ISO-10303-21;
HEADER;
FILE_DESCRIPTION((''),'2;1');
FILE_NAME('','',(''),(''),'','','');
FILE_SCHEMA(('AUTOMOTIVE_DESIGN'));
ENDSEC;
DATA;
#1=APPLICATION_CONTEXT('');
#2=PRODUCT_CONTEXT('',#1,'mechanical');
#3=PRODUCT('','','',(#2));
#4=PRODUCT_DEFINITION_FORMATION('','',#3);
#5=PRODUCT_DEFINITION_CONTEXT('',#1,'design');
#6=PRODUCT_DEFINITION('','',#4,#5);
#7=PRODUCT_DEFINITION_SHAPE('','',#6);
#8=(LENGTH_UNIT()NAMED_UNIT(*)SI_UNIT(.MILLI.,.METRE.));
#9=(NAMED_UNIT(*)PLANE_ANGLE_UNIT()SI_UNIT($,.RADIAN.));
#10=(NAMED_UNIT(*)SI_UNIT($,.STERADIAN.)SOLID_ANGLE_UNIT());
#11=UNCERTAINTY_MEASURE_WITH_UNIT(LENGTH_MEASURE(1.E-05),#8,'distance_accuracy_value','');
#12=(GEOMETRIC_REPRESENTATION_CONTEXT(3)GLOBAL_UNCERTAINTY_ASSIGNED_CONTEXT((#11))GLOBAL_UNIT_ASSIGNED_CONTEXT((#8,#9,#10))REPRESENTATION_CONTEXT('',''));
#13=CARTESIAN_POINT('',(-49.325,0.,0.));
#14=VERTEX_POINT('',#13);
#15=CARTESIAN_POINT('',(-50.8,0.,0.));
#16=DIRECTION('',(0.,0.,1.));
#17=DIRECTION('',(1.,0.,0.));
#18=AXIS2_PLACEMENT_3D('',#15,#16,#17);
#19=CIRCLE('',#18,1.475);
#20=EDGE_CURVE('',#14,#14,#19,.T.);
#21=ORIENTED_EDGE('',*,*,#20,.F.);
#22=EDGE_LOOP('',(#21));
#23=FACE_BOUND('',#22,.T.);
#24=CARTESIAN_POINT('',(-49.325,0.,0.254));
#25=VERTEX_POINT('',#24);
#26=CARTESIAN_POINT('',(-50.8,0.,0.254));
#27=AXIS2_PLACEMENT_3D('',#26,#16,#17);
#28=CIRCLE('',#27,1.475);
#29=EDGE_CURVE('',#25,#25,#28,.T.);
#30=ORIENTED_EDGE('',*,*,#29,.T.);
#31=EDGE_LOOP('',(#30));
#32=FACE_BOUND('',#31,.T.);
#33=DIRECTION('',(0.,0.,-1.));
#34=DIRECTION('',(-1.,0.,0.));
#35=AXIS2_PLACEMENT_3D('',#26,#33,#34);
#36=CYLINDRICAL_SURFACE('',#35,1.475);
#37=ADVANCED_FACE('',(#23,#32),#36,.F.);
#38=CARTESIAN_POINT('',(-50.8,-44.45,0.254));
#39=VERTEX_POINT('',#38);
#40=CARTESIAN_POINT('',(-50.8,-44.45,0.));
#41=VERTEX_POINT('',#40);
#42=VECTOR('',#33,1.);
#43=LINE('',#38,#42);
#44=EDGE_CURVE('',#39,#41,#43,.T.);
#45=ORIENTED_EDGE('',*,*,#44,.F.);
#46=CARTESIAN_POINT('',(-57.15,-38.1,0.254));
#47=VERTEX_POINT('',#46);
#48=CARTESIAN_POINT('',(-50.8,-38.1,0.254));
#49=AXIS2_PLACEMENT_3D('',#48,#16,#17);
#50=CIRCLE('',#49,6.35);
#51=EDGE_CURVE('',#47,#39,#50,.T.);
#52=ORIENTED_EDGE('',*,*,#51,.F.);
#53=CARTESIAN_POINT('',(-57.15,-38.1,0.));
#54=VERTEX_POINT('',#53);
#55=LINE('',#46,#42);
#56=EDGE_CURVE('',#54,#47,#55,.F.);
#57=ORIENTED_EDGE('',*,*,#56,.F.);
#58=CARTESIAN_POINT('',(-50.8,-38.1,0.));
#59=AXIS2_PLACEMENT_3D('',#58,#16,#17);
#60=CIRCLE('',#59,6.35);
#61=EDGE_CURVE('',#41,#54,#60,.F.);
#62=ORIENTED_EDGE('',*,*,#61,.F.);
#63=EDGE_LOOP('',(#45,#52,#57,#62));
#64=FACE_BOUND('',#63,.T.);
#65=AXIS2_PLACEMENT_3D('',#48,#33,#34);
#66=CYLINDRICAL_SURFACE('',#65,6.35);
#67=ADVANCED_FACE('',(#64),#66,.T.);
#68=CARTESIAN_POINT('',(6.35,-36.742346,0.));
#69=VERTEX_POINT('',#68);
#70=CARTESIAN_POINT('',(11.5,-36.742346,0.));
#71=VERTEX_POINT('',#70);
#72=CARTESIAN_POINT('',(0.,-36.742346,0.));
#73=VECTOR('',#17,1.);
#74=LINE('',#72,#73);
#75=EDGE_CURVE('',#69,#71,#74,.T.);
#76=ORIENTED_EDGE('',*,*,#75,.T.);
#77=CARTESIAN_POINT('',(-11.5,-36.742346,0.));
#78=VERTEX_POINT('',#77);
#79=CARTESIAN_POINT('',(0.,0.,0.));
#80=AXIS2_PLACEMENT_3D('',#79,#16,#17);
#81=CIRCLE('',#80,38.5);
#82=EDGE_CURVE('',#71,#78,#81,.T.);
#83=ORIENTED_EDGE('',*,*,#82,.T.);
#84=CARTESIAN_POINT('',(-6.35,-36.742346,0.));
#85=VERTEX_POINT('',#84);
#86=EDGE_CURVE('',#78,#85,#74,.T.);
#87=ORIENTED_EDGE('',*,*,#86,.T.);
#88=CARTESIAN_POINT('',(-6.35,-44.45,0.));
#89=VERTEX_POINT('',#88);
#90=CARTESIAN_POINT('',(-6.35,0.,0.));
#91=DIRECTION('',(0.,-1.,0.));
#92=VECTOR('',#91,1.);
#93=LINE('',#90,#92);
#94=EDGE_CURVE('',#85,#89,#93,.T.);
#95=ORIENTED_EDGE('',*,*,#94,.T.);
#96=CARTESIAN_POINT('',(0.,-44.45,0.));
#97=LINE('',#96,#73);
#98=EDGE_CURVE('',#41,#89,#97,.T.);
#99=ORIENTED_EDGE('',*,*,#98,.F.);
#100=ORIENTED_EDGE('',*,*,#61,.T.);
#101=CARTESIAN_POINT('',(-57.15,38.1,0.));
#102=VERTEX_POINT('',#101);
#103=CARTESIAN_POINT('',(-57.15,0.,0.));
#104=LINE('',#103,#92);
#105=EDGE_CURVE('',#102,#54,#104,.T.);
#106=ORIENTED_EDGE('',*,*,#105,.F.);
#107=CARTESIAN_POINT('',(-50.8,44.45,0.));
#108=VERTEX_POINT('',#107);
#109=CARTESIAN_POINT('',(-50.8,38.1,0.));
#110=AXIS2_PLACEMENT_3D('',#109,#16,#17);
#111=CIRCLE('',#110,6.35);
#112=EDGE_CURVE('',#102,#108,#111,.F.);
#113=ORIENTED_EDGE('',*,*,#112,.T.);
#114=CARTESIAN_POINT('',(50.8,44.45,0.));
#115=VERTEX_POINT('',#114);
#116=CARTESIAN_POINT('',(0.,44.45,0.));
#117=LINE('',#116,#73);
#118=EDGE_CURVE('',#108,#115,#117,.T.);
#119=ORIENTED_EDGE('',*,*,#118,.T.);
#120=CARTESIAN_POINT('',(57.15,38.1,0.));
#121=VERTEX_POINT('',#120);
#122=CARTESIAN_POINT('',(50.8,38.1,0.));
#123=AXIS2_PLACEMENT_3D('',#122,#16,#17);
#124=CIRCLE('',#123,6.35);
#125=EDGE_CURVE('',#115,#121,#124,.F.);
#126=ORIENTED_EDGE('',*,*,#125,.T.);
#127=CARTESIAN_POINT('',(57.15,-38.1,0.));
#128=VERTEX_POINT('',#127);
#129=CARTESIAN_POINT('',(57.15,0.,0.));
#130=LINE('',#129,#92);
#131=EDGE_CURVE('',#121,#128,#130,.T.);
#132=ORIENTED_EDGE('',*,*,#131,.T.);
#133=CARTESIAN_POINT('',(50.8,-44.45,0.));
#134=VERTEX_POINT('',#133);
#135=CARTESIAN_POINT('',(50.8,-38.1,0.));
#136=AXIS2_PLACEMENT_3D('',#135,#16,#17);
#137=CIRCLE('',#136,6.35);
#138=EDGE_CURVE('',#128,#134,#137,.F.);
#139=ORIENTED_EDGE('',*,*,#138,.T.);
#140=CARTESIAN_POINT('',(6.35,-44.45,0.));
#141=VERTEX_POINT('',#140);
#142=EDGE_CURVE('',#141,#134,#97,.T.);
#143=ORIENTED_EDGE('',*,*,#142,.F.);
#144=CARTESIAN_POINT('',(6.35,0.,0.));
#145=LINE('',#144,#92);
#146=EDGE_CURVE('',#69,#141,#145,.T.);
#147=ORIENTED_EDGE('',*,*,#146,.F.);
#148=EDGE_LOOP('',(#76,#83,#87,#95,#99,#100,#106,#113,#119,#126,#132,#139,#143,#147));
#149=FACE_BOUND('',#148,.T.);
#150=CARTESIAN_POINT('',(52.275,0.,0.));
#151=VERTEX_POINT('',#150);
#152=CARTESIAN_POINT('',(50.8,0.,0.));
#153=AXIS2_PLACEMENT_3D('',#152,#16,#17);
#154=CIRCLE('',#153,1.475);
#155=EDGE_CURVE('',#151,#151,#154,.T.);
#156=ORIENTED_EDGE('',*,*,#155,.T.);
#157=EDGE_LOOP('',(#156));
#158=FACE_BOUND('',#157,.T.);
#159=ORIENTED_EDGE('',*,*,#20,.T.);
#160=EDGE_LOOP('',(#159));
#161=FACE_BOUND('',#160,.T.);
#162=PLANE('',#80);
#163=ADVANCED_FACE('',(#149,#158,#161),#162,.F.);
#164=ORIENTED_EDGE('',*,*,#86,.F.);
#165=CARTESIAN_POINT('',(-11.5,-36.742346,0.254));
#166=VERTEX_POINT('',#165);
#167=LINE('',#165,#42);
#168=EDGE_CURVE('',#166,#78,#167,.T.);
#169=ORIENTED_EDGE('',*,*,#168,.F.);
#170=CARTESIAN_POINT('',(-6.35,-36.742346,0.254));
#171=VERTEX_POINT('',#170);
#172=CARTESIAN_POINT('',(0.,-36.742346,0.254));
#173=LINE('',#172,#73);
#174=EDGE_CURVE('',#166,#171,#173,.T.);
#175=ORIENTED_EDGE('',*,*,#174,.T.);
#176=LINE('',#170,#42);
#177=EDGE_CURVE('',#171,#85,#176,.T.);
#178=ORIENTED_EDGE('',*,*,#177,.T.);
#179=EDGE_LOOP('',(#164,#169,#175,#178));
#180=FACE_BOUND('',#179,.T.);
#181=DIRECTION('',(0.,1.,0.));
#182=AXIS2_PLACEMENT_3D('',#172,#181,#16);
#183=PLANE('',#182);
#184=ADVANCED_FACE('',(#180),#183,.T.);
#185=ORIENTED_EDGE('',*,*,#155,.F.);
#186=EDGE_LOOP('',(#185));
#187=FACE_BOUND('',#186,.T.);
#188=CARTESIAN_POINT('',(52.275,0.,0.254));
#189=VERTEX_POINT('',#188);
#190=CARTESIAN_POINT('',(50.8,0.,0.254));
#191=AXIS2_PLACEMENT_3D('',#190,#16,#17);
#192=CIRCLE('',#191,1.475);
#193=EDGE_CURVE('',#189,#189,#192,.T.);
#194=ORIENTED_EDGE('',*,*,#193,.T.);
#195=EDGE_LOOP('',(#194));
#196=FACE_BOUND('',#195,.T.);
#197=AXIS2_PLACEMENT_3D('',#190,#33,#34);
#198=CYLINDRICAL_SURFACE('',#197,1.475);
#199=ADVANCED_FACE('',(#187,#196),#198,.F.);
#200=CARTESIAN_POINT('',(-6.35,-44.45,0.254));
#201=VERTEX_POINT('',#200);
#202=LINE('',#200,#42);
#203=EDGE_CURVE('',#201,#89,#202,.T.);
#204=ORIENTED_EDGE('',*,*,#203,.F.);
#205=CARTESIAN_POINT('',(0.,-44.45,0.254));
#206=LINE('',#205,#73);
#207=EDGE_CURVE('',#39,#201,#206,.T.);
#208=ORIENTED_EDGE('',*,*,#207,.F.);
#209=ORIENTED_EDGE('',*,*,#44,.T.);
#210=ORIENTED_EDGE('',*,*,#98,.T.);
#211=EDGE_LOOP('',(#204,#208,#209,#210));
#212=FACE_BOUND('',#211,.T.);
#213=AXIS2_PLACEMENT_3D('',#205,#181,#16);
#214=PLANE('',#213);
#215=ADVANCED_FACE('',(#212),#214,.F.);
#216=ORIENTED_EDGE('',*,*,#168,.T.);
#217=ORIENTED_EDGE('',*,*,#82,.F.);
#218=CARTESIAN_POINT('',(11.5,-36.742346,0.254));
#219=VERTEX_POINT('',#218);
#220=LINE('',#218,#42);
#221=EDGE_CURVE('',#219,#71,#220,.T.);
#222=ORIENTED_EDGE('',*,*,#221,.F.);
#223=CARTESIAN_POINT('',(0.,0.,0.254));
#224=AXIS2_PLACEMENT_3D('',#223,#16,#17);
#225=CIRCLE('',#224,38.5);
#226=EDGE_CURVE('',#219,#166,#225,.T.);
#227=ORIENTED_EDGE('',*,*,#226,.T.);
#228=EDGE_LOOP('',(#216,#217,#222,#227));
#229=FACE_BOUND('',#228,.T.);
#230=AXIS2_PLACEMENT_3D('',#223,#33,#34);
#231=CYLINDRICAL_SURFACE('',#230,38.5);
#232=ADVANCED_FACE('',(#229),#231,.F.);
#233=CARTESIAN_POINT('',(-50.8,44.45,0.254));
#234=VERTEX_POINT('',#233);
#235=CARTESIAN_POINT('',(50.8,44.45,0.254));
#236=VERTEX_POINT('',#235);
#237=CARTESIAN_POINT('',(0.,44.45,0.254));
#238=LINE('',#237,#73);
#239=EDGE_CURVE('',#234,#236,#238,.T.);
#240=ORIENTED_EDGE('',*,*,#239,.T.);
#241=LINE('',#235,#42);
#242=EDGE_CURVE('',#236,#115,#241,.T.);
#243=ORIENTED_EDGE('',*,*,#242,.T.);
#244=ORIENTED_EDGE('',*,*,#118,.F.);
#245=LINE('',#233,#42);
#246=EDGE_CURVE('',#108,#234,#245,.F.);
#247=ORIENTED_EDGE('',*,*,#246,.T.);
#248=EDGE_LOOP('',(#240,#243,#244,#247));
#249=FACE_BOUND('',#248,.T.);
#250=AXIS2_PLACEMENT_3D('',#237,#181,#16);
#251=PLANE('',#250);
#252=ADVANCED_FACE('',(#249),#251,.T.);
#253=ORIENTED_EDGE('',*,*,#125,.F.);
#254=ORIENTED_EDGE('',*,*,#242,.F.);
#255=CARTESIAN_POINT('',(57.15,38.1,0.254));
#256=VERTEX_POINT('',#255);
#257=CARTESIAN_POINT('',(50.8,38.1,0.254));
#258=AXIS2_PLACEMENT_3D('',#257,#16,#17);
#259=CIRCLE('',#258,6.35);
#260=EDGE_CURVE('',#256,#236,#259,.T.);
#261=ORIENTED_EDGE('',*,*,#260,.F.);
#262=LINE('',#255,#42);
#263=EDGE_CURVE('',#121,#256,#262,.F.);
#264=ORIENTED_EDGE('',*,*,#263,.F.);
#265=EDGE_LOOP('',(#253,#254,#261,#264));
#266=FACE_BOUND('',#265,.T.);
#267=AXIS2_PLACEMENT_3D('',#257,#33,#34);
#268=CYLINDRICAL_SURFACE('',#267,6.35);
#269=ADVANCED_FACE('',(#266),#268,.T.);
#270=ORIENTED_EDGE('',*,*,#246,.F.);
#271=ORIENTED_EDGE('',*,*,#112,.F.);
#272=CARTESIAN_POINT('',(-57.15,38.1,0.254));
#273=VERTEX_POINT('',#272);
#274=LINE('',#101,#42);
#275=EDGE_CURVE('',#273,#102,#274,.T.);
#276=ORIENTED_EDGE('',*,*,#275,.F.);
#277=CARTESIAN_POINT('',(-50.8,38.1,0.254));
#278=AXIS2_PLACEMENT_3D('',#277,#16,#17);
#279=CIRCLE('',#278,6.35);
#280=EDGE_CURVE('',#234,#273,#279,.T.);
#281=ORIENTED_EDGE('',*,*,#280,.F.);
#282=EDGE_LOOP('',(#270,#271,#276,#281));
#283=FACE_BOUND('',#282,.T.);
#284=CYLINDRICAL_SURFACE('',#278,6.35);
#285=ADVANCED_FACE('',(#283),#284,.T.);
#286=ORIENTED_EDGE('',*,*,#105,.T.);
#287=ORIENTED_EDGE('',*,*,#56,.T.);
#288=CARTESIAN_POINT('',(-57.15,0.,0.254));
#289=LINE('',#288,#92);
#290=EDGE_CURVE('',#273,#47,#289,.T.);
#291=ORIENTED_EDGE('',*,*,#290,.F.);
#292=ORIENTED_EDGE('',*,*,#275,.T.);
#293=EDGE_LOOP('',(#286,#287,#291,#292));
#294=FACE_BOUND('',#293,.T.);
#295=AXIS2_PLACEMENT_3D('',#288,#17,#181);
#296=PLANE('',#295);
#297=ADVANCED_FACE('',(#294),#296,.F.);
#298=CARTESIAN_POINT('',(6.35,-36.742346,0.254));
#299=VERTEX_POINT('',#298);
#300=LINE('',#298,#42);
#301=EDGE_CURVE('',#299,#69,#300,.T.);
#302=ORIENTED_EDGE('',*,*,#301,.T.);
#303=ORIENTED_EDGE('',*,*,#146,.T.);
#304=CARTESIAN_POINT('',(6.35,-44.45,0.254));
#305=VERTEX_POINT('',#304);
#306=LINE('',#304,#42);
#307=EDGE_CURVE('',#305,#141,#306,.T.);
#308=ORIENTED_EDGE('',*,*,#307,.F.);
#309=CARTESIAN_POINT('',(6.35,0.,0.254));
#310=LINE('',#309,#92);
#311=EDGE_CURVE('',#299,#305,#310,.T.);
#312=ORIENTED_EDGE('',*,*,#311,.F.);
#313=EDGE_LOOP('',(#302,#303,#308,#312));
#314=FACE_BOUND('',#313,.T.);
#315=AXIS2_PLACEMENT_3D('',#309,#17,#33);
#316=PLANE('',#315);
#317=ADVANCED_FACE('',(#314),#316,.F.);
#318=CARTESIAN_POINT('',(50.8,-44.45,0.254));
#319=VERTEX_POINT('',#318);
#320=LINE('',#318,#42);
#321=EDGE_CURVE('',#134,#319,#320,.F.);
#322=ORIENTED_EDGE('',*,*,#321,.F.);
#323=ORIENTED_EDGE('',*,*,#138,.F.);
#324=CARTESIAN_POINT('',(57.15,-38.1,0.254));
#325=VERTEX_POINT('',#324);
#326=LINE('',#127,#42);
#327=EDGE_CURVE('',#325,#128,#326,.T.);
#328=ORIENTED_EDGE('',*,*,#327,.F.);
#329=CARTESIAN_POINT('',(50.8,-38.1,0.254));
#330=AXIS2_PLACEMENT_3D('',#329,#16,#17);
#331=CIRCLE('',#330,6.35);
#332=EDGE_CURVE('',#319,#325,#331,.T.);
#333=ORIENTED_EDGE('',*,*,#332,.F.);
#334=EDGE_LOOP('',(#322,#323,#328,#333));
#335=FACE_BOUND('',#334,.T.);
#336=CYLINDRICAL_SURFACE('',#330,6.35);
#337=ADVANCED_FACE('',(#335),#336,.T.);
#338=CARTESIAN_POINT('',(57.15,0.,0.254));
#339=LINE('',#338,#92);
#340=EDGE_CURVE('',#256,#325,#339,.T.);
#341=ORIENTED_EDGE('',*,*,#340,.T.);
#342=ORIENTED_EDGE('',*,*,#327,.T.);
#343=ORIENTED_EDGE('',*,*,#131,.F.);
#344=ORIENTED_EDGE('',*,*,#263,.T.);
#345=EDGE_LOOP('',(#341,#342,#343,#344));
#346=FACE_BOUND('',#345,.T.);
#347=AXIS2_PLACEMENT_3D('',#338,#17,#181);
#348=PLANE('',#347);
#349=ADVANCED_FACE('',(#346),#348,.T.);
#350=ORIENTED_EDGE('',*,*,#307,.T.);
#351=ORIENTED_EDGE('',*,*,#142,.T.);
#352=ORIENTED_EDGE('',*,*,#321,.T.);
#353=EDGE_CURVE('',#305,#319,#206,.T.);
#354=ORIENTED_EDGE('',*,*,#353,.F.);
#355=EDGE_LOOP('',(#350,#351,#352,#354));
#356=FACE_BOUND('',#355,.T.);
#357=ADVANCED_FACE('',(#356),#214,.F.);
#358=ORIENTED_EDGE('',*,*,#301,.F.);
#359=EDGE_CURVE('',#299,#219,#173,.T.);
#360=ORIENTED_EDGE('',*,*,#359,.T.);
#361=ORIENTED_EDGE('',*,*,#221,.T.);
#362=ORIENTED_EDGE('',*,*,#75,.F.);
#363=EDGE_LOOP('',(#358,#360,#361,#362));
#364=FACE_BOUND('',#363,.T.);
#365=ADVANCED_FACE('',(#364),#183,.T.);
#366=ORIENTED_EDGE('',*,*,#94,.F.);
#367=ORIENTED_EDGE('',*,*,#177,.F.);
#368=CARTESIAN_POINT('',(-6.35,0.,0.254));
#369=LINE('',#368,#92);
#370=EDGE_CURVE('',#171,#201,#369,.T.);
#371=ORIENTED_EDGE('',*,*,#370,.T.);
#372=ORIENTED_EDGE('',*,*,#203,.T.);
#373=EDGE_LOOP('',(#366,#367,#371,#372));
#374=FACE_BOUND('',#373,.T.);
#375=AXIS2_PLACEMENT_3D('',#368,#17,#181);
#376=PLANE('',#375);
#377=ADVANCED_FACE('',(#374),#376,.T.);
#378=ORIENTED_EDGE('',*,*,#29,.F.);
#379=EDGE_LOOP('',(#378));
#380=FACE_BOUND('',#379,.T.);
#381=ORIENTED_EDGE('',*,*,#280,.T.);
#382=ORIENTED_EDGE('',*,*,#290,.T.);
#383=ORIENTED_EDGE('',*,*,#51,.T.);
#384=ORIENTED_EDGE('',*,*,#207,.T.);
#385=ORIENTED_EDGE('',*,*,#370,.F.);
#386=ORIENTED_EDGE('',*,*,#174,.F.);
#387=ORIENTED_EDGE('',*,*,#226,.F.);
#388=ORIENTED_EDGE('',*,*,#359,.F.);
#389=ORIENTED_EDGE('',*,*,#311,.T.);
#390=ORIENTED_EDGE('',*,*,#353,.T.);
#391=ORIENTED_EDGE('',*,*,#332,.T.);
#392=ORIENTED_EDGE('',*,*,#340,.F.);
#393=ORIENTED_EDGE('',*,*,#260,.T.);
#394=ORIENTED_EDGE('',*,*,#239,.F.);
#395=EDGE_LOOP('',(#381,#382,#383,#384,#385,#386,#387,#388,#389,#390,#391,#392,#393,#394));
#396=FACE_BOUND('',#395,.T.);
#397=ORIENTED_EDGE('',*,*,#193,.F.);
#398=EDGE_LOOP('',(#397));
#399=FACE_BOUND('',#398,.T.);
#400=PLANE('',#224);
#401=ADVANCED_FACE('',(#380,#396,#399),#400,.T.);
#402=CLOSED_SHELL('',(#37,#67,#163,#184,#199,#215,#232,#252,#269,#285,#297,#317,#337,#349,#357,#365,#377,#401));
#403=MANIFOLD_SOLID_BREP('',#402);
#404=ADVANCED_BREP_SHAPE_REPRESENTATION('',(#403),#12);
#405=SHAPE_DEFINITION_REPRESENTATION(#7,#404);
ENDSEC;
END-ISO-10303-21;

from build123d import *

# Parameters (mm, degrees)
SKETCH2_R           = 1.475
BOSS_EXTRUDE1_DEPTH = 0.254
FILLET1_R           = 6.35


with BuildPart() as part:
    # Sketch2 → Boss-Extrude1 (new body)
    # profile 1 of 3: a face of its own
    with BuildSketch(Plane.XY):
        with BuildLine():
            ThreePointArc((-6.35, -37.972720471), (-8.946176851, -37.446173633), (-11.5, -36.742346142))
            ThreePointArc((-11.5, -36.742346142), (-22.79802623, 31.024184115), (38.5, 0))
            ThreePointArc((38.5, 0), (31.024184115, -22.79802623), (11.5, -36.742346142))
            ThreePointArc((11.5, -36.742346142), (8.946176851, -37.446173633), (6.35, -37.972720471))
            Line((6.35, -37.972720471), (6.35, -44.45))
            Line((6.35, -44.45), (57.15, -44.45))
            Line((57.15, -44.45), (57.15, 44.45))
            Line((57.15, 44.45), (-57.15, 44.45))
            Line((-57.15, 44.45), (-57.15, -44.45))
            Line((-57.15, -44.45), (-6.35, -44.45))
            Line((-6.35, -44.45), (-6.35, -37.972720471))
        make_face()
        with Locations((-50.8, 0)):
            Circle(SKETCH2_R, mode=Mode.SUBTRACT)
        with Locations((50.8, 0)):
            Circle(SKETCH2_R, mode=Mode.SUBTRACT)
    # profile 2 of 3: a face of its own
    with BuildSketch(Plane.XY):
        with BuildLine():
            Line((11.5, -36.742346142), (6.35, -36.742346142))
            Line((6.35, -36.742346142), (6.35, -37.972720471))
            ThreePointArc((6.35, -37.972720471), (8.946176851, -37.446173633), (11.5, -36.742346142))
        make_face()
    # profile 3 of 3: a face of its own
    with BuildSketch(Plane.XY):
        with BuildLine():
            Line((-6.35, -36.742346142), (-11.5, -36.742346142))
            ThreePointArc((-11.5, -36.742346142), (-8.946176851, -37.446173633), (-6.35, -37.972720471))
            Line((-6.35, -37.972720471), (-6.35, -36.742346142))
        make_face()
    extrude(amount=BOSS_EXTRUDE1_DEPTH)

    # Fillet1
    fillet1_edges = [part.edges().sort_by_distance(p)[0] for p in [
        (-57.15, -44.45, 0.127),
        (-57.15, 44.45, 0.127),
        (57.15, 44.45, 0.127),
        (57.15, -44.45, 0.127),
    ]]
    fillet(fillet1_edges, radius=FILLET1_R)


solid = part.part
